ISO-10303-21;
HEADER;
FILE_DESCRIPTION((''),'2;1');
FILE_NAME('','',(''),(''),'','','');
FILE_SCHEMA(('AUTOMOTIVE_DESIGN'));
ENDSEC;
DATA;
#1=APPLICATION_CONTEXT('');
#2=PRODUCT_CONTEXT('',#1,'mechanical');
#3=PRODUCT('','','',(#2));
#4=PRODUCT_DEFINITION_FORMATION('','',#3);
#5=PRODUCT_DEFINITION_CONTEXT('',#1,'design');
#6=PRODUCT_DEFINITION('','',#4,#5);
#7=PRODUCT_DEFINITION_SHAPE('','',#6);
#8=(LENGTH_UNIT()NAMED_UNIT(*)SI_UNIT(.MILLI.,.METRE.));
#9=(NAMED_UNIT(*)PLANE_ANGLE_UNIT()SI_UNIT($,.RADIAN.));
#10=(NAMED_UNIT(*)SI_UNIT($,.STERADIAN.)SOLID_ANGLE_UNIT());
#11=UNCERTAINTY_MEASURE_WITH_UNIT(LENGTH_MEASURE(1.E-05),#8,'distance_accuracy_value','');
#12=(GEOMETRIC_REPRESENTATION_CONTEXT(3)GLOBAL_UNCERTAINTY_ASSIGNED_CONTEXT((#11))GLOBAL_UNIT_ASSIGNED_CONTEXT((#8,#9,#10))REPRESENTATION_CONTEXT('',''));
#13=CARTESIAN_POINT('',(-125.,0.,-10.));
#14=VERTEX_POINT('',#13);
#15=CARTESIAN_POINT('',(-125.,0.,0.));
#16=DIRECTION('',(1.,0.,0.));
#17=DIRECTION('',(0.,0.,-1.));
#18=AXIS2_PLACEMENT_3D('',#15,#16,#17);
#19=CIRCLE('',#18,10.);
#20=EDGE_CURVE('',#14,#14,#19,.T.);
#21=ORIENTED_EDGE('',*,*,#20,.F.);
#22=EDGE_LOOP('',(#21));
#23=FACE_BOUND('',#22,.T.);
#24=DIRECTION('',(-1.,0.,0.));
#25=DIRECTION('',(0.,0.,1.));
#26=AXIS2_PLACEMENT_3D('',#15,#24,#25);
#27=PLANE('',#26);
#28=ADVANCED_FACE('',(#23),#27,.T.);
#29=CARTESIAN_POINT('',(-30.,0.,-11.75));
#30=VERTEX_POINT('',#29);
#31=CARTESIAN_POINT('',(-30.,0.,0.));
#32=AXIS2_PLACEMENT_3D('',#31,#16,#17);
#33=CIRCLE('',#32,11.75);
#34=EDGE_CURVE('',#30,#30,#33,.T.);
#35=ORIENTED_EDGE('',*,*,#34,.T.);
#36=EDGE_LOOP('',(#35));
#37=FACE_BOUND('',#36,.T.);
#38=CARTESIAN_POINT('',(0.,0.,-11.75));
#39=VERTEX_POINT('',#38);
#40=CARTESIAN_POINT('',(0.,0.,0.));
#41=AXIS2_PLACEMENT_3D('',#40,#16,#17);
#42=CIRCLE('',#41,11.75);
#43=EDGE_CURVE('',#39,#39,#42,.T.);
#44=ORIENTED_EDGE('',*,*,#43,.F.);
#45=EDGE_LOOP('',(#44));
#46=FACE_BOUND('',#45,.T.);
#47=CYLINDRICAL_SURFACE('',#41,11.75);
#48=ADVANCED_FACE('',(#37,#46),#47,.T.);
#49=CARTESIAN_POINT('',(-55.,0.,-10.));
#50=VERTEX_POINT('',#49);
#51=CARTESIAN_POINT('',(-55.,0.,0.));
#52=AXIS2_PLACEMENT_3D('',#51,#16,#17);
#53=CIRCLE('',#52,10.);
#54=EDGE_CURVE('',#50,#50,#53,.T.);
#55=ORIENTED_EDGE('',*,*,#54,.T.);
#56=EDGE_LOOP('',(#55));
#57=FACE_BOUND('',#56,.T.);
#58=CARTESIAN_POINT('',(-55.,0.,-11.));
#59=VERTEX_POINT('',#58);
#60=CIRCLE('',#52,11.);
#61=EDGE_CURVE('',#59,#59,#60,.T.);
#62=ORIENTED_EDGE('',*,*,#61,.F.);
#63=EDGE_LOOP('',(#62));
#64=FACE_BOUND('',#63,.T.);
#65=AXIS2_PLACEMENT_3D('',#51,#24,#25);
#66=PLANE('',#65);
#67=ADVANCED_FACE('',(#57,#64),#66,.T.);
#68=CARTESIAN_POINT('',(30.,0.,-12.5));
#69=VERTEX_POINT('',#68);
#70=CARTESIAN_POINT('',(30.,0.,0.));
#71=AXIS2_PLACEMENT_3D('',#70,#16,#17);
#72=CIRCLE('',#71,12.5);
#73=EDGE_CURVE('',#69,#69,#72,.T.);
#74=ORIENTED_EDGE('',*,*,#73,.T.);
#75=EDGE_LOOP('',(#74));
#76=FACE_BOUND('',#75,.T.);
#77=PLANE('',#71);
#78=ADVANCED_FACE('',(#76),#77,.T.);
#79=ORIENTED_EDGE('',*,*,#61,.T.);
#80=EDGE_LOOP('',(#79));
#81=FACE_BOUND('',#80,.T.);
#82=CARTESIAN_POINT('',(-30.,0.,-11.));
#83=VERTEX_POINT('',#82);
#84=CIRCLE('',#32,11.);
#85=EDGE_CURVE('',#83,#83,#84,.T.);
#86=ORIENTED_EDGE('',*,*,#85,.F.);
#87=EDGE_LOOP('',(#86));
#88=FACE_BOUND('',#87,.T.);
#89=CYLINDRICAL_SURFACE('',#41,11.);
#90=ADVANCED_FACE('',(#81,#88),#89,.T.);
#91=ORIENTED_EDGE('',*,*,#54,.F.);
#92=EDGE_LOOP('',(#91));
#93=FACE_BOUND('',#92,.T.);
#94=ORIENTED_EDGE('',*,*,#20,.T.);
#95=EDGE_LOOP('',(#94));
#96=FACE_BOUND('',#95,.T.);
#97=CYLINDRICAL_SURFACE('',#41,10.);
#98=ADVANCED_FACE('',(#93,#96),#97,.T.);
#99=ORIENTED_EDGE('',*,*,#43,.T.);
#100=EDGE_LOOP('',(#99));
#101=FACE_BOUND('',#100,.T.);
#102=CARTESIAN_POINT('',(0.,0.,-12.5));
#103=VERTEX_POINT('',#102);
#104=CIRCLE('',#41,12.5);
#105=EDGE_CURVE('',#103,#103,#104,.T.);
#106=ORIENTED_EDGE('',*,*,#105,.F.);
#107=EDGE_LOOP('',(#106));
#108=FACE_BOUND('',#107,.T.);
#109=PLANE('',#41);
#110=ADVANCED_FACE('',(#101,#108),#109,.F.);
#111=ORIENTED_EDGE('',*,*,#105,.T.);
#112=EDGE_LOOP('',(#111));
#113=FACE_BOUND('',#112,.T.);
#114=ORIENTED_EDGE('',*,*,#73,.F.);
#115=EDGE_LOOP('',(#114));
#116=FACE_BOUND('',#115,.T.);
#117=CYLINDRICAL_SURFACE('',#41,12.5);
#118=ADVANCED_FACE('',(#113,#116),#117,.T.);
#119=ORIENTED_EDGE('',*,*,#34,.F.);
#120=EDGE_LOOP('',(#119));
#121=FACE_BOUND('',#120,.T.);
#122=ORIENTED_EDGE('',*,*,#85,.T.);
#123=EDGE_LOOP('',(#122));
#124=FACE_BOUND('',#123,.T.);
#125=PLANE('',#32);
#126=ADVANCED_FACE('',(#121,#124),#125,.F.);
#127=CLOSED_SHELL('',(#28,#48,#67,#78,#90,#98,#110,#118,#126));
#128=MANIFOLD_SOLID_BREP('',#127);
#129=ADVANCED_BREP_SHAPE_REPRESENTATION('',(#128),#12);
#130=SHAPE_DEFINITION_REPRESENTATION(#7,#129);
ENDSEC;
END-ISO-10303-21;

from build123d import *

# Parameters (mm, degrees)
SKETCH1_W = 30
SKETCH1_H = 0.75


with BuildPart() as part:
    # Sketch1 → Revolve1 (revolve)
    with BuildSketch(Plane.XY, mode=Mode.PRIVATE) as revolve1_sk:
        Polygon((-55, 10), (-125, 10), (-125, 0), (-32.608695652, 0), (0, 0), (30, 0), (30, 12.5), (0, 12.5), (0, 11), (-55, 11), align=None)
        with Locations((-15, 11.375)):
            Rectangle(SKETCH1_W, SKETCH1_H)
    revolve(revolve1_sk.sketch.rotate(Axis((0, 0, 0), (-1, 0, 0)), 90), axis=Axis((0, 0, 0), (-1, 0, 0)))


solid = part.part
